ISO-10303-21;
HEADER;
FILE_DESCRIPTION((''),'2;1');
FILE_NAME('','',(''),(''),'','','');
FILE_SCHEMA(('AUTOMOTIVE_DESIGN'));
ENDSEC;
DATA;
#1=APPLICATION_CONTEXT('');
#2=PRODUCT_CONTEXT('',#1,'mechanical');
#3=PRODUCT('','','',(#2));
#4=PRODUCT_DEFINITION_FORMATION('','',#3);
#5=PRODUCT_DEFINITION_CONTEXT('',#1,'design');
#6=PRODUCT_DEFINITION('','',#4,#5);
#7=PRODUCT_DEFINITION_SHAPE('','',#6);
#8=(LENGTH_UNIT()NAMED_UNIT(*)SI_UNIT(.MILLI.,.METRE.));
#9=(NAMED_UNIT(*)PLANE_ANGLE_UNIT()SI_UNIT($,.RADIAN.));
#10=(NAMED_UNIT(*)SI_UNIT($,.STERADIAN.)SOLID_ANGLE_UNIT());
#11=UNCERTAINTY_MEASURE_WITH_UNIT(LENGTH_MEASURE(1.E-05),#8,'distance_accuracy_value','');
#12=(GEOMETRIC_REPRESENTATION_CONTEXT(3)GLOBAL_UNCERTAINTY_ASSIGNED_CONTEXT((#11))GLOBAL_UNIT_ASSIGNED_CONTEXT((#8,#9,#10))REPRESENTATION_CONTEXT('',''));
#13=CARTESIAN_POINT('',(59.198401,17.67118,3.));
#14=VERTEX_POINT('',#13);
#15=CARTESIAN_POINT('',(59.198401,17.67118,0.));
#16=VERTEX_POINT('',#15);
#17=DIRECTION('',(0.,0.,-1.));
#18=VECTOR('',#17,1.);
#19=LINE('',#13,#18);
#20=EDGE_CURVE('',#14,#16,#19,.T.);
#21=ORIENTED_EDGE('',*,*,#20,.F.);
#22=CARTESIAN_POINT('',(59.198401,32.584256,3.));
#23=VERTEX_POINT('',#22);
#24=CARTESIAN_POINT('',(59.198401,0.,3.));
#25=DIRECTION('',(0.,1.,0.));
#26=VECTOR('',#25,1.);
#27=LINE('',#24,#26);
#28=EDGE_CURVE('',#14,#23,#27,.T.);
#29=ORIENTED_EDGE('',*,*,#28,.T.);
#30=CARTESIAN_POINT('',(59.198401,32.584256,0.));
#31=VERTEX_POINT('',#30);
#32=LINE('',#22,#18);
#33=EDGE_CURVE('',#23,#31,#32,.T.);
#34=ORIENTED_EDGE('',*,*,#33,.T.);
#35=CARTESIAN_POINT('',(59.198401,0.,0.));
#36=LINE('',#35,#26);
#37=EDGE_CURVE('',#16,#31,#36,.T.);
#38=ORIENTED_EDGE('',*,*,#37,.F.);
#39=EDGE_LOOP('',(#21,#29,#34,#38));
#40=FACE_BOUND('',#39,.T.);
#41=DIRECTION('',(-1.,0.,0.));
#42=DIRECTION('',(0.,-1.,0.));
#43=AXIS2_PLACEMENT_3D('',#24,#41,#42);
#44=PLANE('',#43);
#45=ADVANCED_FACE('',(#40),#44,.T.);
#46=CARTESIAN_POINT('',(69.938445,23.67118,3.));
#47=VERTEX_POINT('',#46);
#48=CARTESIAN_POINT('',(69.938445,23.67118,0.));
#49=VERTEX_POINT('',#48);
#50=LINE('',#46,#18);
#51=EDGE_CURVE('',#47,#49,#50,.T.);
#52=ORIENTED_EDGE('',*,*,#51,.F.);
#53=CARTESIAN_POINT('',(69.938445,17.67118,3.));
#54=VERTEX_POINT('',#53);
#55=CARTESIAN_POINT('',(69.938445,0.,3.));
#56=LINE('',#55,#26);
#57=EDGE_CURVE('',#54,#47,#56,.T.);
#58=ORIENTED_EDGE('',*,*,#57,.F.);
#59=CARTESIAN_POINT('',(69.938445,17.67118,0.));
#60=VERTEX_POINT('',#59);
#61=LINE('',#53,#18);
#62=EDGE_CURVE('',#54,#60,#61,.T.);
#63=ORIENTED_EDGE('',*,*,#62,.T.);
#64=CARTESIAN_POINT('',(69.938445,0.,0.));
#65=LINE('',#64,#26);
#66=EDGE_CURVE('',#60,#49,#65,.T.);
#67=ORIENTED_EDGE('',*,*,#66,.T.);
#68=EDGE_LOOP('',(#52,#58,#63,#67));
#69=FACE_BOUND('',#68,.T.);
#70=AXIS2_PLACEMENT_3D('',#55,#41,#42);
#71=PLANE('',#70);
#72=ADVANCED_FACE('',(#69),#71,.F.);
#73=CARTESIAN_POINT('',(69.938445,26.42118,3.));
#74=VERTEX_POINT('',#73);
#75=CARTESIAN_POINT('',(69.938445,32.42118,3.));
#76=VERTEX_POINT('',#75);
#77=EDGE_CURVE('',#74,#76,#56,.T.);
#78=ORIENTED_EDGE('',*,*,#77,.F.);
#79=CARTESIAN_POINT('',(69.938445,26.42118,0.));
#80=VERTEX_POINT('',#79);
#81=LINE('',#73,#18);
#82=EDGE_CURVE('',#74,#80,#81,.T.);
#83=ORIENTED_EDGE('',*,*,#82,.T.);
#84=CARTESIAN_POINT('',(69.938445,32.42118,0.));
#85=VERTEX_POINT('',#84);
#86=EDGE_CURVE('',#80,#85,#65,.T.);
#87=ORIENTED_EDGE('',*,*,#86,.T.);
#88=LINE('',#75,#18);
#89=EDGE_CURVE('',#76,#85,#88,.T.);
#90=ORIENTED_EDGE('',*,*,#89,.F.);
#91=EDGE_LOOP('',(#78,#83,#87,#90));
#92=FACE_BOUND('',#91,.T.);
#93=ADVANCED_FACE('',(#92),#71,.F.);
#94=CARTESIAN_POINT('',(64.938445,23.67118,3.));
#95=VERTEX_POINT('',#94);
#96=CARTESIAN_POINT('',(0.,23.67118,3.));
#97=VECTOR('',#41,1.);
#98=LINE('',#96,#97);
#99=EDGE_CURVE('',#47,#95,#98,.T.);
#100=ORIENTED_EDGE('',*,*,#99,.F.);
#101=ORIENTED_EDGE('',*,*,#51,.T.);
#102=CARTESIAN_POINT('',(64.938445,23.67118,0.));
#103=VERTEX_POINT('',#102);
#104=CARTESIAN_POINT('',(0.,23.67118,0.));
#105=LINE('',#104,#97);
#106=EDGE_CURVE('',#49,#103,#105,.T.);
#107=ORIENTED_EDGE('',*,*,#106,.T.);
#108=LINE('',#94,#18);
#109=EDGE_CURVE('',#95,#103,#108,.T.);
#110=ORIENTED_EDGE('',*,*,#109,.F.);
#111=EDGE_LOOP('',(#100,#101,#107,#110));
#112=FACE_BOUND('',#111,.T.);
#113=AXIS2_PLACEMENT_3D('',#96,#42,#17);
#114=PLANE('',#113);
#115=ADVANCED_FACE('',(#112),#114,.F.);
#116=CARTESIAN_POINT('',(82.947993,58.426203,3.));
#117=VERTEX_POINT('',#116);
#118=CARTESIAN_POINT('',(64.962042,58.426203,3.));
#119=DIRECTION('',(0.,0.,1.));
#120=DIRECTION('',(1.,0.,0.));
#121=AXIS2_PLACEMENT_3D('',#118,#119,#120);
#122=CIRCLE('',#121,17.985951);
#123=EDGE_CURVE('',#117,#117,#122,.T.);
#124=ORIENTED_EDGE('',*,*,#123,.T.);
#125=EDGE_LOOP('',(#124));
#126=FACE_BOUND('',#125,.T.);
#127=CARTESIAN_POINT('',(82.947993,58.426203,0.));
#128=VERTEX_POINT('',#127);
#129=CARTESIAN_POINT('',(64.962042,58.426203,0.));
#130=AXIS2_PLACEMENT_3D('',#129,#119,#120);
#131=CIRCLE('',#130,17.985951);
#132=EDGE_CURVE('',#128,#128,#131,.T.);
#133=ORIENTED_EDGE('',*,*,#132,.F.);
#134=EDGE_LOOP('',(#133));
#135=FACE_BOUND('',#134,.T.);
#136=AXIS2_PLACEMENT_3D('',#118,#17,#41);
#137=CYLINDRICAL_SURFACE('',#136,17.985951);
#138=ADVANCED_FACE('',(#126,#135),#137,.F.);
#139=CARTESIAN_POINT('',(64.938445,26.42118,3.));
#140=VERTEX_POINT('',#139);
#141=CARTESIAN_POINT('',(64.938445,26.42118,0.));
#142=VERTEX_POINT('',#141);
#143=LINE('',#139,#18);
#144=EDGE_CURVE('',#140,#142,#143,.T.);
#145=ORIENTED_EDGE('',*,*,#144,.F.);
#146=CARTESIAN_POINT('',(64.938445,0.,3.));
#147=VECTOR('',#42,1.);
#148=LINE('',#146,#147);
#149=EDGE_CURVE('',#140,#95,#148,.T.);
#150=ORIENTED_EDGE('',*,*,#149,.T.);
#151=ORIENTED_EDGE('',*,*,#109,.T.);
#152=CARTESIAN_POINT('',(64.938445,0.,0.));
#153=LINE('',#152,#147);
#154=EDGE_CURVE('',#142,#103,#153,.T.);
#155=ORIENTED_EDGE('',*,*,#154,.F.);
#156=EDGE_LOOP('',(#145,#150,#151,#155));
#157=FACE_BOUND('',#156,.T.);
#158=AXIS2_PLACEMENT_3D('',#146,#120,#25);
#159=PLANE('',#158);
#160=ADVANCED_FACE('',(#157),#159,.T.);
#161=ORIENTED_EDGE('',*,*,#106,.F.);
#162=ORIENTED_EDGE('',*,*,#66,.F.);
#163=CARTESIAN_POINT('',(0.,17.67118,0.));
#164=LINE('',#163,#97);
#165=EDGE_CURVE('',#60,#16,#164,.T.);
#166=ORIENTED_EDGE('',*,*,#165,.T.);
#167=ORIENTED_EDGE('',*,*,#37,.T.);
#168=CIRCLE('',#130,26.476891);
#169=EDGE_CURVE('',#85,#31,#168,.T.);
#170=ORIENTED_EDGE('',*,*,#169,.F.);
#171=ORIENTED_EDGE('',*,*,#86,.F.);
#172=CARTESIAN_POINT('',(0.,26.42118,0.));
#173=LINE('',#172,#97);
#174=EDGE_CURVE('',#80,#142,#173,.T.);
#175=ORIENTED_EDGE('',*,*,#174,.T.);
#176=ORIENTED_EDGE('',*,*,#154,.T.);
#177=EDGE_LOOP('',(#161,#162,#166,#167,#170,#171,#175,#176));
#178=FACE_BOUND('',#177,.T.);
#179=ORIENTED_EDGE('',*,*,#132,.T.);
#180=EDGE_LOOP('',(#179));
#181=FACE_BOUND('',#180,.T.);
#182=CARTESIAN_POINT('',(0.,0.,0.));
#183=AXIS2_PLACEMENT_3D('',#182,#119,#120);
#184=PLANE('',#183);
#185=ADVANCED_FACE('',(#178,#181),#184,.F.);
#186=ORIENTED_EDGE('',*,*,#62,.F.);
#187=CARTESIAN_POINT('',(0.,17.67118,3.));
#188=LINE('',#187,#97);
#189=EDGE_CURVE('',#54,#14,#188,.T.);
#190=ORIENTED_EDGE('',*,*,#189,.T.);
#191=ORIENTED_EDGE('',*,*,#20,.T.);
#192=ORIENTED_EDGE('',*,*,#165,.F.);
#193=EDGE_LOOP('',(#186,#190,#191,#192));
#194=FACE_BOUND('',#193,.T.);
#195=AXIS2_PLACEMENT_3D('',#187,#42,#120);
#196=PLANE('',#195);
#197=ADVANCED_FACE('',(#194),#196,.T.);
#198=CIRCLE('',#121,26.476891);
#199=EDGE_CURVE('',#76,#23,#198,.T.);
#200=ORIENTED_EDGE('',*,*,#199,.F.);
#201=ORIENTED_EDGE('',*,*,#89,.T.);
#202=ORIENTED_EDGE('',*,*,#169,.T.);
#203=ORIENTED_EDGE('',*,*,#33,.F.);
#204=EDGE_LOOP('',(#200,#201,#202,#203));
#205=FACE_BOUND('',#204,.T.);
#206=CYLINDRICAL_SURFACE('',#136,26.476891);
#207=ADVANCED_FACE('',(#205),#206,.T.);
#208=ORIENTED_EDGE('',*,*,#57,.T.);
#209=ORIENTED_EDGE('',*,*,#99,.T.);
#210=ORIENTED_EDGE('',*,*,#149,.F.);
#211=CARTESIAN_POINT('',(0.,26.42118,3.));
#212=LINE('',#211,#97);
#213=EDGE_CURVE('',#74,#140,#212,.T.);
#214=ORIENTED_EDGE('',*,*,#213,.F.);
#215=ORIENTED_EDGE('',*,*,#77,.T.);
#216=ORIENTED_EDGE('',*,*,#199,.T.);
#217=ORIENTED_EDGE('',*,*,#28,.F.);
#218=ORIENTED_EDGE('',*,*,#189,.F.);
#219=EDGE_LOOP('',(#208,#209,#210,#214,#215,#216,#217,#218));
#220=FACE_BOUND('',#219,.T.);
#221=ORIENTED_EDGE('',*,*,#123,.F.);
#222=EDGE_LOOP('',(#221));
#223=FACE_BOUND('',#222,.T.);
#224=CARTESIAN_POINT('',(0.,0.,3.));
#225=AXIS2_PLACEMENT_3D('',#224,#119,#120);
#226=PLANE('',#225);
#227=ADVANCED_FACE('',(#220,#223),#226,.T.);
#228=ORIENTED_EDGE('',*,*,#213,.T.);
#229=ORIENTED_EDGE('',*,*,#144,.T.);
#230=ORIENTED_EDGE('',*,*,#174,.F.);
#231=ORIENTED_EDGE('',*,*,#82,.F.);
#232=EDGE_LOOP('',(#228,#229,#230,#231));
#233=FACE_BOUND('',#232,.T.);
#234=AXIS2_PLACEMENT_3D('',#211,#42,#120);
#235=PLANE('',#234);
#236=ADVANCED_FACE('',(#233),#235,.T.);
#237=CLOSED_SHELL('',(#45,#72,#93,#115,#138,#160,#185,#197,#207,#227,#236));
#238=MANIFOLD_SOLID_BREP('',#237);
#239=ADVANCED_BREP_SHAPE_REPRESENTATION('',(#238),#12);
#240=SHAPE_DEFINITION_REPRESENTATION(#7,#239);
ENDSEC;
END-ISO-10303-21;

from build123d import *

# Parameters (mm, degrees)
CROQUIS1_R              = 17.985951022
SALIENTE_EXTRUIR1_DEPTH = 3


with BuildPart() as part:
    # Croquis1 → Saliente-Extruir1 (new body)
    with BuildSketch(Plane.XY):
        with BuildLine():
            Line((69.938444675, 17.671179984), (59.198401062, 17.671179984))
            Line((59.198401062, 17.671179984), (59.198401062, 32.584255723))
            ThreePointArc((59.198401062, 32.584255723), (65.364018559, 84.900042365), (69.938444675, 32.421179984))
            Line((69.938444675, 32.421179984), (69.938444675, 26.421179984))
            Line((69.938444675, 26.421179984), (64.938444675, 26.421179984))
            Line((64.938444675, 26.421179984), (64.938444675, 23.671179984))
            Line((64.938444675, 23.671179984), (69.938444675, 23.671179984))
            Line((69.938444675, 23.671179984), (69.938444675, 17.671179984))
        make_face()
        with Locations((64.962042446, 58.426202565)):
            Circle(CROQUIS1_R, mode=Mode.SUBTRACT)
    extrude(amount=SALIENTE_EXTRUIR1_DEPTH)


solid = part.part
